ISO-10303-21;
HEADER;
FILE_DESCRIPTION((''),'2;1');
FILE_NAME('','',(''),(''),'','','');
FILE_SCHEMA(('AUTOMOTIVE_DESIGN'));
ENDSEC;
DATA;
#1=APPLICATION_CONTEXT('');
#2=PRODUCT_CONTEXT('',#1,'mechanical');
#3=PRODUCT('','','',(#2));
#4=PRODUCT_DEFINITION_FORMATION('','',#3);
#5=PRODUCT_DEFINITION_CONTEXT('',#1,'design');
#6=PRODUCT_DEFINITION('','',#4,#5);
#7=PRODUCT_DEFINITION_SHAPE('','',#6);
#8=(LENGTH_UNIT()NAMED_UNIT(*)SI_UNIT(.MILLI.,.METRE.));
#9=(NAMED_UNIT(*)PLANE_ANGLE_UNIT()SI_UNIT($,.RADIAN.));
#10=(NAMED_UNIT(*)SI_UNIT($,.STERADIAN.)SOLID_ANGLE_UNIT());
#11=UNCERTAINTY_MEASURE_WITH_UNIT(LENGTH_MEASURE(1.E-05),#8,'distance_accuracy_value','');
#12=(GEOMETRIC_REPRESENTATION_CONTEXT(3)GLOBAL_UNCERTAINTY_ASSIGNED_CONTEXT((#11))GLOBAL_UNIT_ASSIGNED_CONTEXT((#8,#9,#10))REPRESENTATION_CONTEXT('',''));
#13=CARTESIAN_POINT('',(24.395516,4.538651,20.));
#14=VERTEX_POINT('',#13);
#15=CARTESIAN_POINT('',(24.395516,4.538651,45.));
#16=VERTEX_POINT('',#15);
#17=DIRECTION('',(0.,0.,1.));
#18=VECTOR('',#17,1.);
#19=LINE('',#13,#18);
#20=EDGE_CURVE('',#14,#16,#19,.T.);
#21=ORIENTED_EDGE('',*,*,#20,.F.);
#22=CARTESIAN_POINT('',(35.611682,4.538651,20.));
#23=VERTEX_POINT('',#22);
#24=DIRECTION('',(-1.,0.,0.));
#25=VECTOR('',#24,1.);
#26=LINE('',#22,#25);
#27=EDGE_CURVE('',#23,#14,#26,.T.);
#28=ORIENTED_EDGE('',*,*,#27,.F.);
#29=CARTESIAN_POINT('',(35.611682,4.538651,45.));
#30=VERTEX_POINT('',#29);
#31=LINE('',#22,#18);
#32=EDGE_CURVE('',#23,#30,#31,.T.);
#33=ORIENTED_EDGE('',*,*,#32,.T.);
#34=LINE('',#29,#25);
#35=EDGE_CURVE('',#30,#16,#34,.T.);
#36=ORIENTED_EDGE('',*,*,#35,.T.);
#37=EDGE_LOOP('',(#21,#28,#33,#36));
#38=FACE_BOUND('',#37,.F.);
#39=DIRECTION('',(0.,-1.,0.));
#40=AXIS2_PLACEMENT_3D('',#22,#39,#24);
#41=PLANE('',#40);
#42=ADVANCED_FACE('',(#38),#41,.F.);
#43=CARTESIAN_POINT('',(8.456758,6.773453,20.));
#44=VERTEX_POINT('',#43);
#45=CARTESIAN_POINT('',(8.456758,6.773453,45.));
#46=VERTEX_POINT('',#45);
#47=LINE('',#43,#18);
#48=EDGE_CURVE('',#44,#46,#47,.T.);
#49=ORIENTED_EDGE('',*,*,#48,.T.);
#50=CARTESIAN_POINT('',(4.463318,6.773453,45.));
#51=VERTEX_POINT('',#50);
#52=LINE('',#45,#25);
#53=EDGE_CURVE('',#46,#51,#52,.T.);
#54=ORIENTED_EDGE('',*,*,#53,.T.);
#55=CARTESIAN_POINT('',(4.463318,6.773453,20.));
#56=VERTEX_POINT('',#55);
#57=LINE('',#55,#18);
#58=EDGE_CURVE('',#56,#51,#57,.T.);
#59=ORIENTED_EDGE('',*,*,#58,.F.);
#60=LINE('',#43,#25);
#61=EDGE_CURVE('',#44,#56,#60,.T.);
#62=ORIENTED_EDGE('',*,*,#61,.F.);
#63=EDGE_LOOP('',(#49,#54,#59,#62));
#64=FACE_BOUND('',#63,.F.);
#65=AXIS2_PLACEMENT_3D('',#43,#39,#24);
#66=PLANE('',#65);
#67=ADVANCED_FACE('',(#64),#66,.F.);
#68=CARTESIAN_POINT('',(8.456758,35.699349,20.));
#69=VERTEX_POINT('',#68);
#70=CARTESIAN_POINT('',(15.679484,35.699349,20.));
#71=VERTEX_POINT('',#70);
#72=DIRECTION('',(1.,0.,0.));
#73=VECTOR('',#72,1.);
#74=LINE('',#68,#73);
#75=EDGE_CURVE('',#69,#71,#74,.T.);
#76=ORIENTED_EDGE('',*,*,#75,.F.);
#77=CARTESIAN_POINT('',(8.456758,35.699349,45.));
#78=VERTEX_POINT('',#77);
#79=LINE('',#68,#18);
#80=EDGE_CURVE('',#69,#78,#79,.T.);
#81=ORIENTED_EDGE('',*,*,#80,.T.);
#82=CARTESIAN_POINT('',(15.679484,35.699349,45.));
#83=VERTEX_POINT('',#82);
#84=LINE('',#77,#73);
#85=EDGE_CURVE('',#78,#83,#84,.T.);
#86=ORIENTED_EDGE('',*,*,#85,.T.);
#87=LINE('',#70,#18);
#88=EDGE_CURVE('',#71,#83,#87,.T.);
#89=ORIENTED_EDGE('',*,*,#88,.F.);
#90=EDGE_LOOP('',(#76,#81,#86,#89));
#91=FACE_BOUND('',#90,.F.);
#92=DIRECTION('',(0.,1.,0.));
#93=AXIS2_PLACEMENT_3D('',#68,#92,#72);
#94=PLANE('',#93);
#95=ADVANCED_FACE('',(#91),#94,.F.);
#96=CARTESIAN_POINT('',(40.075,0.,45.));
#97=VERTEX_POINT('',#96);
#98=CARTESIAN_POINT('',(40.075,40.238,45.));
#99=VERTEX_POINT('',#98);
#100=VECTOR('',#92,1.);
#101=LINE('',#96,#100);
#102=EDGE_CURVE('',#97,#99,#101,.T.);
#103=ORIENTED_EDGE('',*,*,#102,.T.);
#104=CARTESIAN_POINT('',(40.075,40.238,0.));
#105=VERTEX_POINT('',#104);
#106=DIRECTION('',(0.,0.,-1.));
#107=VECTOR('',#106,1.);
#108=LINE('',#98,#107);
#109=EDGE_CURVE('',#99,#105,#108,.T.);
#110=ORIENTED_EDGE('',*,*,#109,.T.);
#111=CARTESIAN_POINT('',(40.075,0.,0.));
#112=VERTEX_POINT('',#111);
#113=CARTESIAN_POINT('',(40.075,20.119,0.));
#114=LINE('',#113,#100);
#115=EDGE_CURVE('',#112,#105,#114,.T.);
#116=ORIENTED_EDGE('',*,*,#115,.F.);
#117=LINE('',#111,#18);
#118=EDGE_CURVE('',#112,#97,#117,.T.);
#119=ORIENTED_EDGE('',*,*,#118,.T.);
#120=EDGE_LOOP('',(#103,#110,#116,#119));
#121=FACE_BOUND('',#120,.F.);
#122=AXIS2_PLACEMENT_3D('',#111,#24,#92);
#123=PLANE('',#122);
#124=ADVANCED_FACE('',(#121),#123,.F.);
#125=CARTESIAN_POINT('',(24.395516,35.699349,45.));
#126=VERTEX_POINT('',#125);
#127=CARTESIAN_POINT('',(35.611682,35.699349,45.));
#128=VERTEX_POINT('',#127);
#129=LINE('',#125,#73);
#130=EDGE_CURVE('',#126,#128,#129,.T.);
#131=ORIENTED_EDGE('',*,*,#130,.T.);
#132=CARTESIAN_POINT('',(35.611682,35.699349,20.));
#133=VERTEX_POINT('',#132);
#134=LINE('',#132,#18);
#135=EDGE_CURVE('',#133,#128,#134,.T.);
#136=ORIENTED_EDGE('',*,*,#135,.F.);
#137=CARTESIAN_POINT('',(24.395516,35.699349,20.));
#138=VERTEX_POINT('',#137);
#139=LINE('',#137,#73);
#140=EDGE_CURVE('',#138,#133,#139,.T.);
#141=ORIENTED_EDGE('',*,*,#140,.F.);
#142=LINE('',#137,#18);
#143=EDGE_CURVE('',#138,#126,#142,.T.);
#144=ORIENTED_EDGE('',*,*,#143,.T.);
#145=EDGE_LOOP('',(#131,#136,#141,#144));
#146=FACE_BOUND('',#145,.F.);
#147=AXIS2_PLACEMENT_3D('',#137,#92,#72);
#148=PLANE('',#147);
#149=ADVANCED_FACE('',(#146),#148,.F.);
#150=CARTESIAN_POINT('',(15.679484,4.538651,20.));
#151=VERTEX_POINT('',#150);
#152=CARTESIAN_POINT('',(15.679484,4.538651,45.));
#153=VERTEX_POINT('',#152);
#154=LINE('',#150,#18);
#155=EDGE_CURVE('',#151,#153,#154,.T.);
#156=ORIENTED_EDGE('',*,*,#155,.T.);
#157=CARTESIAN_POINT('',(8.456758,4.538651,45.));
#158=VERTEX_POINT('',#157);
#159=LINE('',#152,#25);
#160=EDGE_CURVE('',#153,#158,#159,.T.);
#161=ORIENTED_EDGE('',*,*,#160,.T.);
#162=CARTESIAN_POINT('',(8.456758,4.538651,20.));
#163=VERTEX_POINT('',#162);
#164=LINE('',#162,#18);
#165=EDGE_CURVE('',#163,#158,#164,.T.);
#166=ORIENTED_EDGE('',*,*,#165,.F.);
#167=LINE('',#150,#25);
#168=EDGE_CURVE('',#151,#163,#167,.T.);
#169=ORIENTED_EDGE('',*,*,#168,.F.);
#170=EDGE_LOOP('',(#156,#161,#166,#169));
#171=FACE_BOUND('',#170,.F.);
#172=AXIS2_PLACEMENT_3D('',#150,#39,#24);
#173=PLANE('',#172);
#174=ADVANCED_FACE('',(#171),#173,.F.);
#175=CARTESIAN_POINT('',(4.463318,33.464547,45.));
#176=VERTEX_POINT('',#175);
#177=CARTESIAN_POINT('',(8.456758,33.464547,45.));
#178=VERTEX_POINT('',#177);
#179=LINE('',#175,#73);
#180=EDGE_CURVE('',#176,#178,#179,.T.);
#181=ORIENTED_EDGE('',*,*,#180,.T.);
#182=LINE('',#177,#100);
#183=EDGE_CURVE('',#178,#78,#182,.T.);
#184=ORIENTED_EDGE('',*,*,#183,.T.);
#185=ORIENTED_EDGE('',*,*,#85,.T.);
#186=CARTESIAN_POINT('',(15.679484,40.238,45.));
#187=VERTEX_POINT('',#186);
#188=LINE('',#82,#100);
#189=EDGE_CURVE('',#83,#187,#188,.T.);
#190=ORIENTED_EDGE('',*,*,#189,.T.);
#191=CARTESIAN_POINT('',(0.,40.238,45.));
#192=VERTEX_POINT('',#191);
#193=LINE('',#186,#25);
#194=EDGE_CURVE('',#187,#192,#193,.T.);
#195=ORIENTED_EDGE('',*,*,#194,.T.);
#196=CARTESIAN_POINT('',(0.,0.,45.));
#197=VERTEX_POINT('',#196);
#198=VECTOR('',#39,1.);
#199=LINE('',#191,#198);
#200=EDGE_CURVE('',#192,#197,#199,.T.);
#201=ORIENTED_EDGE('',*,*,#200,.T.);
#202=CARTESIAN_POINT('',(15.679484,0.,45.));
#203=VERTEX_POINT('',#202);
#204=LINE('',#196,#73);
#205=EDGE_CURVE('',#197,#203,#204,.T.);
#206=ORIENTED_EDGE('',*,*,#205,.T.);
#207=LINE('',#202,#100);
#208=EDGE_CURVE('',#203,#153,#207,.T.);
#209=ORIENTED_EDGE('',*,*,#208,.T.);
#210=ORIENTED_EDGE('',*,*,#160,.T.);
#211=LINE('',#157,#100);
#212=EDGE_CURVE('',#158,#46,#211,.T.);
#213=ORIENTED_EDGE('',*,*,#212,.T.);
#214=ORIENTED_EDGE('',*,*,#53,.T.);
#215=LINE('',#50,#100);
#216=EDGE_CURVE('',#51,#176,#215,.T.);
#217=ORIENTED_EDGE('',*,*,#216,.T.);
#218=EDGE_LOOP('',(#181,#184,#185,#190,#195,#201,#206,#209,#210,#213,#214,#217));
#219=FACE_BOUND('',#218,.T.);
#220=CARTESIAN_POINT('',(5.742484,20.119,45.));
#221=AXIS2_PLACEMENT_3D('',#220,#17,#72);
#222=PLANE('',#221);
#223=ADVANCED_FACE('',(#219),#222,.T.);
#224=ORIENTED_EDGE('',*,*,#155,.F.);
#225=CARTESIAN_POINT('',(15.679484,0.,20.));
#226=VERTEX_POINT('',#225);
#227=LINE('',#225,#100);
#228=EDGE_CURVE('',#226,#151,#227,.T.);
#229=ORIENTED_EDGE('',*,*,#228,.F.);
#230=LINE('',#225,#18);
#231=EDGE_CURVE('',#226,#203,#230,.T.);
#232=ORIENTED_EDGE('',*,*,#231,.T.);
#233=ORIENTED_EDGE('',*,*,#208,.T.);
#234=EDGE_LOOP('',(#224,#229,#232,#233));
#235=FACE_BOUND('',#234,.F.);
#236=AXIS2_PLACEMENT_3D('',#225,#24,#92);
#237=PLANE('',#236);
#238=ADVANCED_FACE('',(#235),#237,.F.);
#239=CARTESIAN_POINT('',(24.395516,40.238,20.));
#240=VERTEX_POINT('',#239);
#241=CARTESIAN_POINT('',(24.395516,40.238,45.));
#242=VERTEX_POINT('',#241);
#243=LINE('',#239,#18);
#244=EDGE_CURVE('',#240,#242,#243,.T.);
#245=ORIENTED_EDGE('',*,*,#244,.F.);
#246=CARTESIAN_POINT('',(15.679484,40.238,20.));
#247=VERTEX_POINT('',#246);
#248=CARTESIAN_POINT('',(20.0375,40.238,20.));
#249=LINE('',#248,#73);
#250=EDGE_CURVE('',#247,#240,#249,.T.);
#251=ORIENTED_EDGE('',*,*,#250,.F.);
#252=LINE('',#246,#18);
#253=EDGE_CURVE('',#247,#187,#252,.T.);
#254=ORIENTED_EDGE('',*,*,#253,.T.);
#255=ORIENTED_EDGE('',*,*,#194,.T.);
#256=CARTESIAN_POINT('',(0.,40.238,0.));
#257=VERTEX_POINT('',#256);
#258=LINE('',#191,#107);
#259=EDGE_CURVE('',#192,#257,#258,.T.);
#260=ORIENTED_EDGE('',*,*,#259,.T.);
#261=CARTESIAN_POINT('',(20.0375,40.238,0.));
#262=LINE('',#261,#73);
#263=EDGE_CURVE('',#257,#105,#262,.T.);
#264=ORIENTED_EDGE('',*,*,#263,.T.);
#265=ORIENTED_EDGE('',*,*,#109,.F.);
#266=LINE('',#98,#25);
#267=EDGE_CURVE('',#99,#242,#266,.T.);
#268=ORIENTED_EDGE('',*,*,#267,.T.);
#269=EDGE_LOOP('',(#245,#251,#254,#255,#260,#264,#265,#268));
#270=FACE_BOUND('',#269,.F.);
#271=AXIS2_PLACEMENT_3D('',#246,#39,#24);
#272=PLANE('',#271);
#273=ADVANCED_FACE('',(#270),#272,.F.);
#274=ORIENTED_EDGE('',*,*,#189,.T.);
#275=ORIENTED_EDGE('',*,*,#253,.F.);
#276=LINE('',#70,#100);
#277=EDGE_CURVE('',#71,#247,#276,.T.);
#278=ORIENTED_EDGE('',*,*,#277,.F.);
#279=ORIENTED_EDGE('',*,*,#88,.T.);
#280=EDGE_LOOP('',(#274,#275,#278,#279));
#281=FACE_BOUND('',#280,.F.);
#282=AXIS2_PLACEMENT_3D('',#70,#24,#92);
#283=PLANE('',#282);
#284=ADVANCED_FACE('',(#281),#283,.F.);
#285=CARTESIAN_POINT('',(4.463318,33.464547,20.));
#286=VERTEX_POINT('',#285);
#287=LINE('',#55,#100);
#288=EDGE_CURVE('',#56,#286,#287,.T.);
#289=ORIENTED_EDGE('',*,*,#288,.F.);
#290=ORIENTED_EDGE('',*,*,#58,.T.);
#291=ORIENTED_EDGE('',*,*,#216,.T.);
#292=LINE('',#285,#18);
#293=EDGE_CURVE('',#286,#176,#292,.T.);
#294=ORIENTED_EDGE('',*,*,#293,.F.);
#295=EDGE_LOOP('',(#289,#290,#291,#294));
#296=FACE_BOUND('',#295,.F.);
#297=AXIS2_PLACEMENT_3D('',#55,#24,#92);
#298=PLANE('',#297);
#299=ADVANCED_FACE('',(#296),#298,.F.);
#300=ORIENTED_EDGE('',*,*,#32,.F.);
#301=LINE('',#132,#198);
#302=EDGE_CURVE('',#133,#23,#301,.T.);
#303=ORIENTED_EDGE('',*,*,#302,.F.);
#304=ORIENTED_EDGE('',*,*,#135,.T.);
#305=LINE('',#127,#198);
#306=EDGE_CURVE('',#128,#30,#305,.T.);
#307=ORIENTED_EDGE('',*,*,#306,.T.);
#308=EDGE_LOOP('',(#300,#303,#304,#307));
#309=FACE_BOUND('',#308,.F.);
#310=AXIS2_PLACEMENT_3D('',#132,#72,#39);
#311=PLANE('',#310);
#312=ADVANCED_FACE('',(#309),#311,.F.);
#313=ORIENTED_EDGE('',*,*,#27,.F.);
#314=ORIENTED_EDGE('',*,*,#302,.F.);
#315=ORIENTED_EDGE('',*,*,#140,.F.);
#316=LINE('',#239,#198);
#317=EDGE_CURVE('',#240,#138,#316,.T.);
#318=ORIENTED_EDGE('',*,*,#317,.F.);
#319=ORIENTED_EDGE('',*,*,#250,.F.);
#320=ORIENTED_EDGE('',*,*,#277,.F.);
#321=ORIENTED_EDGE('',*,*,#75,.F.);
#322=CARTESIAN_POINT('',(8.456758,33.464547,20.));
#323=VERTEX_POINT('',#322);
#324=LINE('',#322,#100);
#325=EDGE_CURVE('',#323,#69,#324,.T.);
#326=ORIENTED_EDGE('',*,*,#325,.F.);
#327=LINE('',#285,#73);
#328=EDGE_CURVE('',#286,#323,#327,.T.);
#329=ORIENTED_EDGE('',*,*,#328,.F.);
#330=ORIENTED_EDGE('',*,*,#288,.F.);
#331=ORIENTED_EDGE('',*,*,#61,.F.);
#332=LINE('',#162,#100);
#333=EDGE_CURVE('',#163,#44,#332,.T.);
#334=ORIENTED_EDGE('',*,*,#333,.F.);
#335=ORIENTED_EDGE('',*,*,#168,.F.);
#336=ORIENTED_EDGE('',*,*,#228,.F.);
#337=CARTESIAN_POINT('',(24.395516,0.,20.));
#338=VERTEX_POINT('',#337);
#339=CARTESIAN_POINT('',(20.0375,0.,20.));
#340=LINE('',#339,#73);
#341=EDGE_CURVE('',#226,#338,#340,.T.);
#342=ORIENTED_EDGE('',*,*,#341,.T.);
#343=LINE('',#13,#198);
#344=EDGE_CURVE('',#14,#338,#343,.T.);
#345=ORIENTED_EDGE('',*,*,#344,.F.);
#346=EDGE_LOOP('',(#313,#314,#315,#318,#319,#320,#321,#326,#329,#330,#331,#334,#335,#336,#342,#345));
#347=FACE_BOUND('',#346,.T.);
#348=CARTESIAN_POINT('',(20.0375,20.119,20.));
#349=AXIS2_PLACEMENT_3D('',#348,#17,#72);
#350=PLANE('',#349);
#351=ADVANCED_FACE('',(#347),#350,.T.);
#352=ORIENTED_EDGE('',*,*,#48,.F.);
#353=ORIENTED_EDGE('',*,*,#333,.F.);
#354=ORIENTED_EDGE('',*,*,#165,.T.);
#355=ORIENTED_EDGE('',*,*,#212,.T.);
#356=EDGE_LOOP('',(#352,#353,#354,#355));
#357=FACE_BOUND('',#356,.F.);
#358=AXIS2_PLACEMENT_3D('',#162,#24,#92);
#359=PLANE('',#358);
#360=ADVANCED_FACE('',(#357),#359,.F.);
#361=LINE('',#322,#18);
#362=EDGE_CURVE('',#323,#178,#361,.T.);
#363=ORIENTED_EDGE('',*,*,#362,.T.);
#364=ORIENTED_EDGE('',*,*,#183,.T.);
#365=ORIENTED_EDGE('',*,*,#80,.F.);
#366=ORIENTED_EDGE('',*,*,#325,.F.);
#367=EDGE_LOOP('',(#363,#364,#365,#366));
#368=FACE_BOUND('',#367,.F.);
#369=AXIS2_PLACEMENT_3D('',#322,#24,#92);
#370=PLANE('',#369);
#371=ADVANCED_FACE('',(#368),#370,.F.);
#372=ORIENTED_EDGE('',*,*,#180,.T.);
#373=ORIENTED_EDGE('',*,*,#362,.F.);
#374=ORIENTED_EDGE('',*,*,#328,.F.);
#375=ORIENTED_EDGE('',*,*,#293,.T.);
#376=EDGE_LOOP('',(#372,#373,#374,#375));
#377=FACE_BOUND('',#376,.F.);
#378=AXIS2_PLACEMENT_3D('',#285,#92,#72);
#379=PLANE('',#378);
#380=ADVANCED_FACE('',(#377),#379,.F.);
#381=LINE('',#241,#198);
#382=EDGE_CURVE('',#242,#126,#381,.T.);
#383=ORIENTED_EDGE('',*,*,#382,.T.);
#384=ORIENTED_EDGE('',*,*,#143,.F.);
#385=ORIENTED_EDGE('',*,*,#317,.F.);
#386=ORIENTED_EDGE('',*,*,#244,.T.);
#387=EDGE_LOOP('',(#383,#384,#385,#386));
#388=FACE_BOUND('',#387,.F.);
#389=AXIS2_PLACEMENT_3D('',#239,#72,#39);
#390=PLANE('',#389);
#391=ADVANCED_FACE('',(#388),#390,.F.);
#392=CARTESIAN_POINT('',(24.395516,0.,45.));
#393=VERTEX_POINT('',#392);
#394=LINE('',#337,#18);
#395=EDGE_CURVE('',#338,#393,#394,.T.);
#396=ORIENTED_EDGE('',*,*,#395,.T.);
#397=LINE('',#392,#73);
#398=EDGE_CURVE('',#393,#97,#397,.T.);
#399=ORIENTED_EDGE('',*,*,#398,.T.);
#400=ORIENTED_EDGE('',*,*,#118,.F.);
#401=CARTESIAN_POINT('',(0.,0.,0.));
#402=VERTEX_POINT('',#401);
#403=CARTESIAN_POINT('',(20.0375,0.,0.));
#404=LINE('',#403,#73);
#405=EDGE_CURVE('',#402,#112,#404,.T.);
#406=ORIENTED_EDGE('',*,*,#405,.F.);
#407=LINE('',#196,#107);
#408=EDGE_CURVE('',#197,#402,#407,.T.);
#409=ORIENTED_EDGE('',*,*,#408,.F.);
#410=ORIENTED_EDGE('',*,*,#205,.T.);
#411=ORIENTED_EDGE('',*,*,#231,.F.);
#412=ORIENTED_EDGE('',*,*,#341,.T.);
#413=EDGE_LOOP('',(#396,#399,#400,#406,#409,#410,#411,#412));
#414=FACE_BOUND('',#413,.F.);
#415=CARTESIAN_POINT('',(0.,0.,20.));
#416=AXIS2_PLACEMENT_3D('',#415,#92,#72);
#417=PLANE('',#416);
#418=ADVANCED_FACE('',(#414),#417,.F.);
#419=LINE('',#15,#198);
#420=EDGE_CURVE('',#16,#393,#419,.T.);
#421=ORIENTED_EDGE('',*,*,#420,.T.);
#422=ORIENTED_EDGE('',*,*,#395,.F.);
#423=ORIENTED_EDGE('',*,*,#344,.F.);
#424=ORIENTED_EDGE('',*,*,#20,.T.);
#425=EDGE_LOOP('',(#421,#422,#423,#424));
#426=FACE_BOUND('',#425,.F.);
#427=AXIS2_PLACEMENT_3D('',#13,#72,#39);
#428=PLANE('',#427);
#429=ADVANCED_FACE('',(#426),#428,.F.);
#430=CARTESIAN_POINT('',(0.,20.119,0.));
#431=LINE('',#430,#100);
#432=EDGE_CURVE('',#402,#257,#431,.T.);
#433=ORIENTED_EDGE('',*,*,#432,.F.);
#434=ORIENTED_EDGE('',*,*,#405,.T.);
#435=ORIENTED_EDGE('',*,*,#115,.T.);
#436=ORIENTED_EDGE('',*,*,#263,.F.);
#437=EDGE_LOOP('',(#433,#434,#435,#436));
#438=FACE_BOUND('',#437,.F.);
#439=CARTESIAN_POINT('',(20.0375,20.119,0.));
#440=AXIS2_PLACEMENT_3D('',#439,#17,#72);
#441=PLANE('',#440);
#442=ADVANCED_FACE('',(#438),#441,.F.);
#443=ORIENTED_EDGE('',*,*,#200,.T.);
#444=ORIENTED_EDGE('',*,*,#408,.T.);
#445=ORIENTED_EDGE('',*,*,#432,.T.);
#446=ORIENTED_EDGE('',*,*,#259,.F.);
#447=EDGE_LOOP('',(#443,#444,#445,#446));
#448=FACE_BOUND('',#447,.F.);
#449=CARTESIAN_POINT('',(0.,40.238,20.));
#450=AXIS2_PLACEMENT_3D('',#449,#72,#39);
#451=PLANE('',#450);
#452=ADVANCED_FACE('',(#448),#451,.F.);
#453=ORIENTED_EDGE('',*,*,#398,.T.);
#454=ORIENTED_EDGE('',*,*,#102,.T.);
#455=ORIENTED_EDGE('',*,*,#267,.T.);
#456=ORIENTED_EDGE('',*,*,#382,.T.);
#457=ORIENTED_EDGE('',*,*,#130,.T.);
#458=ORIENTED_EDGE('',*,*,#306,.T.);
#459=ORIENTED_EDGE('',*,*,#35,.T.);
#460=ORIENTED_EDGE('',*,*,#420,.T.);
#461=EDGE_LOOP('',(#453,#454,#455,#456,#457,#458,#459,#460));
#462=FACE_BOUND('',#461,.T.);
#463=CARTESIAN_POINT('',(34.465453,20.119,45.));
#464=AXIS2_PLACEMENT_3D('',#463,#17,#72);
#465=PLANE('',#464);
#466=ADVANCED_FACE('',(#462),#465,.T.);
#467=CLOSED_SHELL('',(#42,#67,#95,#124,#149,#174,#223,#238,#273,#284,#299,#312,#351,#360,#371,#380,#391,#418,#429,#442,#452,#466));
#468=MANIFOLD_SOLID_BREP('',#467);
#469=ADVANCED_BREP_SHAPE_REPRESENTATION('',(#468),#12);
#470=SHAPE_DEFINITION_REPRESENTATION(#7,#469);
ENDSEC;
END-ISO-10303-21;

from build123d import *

# Parameters (mm, degrees)
F0_W     = 40.075
F0_H     = 40.238
F1_DEPTH = 20
F3_DEPTH = 25


with BuildPart() as f1:
    # F0 (on Top) → F1 (new body)
    with BuildSketch(Plane.XY):
        with Locations((20.0375, 20.119)):
            Rectangle(F0_W, F0_H)
    extrude(amount=F1_DEPTH)

    # F2 (on face) → F3 (join)
    with BuildSketch(Plane.XY.offset(20)):
        Polygon((0, 0), (15.679484, 0), (15.679484, 4.538651), (8.456758, 4.538651), (8.456758, 6.773453), (4.463318, 6.773453), (4.463318, 33.464547), (8.456758, 33.464547), (8.456758, 35.699349), (15.679484, 35.699349), (15.679484, 40.238), (0, 40.238), align=None)
        Polygon((35.611682, 35.699349), (35.611682, 4.538651), (24.395516, 4.538651), (24.395516, 0), (40.075, 0), (40.075, 40.238), (24.395516, 40.238), (24.395516, 35.699349), align=None)
    extrude(amount=F3_DEPTH)


solid = f1.part
